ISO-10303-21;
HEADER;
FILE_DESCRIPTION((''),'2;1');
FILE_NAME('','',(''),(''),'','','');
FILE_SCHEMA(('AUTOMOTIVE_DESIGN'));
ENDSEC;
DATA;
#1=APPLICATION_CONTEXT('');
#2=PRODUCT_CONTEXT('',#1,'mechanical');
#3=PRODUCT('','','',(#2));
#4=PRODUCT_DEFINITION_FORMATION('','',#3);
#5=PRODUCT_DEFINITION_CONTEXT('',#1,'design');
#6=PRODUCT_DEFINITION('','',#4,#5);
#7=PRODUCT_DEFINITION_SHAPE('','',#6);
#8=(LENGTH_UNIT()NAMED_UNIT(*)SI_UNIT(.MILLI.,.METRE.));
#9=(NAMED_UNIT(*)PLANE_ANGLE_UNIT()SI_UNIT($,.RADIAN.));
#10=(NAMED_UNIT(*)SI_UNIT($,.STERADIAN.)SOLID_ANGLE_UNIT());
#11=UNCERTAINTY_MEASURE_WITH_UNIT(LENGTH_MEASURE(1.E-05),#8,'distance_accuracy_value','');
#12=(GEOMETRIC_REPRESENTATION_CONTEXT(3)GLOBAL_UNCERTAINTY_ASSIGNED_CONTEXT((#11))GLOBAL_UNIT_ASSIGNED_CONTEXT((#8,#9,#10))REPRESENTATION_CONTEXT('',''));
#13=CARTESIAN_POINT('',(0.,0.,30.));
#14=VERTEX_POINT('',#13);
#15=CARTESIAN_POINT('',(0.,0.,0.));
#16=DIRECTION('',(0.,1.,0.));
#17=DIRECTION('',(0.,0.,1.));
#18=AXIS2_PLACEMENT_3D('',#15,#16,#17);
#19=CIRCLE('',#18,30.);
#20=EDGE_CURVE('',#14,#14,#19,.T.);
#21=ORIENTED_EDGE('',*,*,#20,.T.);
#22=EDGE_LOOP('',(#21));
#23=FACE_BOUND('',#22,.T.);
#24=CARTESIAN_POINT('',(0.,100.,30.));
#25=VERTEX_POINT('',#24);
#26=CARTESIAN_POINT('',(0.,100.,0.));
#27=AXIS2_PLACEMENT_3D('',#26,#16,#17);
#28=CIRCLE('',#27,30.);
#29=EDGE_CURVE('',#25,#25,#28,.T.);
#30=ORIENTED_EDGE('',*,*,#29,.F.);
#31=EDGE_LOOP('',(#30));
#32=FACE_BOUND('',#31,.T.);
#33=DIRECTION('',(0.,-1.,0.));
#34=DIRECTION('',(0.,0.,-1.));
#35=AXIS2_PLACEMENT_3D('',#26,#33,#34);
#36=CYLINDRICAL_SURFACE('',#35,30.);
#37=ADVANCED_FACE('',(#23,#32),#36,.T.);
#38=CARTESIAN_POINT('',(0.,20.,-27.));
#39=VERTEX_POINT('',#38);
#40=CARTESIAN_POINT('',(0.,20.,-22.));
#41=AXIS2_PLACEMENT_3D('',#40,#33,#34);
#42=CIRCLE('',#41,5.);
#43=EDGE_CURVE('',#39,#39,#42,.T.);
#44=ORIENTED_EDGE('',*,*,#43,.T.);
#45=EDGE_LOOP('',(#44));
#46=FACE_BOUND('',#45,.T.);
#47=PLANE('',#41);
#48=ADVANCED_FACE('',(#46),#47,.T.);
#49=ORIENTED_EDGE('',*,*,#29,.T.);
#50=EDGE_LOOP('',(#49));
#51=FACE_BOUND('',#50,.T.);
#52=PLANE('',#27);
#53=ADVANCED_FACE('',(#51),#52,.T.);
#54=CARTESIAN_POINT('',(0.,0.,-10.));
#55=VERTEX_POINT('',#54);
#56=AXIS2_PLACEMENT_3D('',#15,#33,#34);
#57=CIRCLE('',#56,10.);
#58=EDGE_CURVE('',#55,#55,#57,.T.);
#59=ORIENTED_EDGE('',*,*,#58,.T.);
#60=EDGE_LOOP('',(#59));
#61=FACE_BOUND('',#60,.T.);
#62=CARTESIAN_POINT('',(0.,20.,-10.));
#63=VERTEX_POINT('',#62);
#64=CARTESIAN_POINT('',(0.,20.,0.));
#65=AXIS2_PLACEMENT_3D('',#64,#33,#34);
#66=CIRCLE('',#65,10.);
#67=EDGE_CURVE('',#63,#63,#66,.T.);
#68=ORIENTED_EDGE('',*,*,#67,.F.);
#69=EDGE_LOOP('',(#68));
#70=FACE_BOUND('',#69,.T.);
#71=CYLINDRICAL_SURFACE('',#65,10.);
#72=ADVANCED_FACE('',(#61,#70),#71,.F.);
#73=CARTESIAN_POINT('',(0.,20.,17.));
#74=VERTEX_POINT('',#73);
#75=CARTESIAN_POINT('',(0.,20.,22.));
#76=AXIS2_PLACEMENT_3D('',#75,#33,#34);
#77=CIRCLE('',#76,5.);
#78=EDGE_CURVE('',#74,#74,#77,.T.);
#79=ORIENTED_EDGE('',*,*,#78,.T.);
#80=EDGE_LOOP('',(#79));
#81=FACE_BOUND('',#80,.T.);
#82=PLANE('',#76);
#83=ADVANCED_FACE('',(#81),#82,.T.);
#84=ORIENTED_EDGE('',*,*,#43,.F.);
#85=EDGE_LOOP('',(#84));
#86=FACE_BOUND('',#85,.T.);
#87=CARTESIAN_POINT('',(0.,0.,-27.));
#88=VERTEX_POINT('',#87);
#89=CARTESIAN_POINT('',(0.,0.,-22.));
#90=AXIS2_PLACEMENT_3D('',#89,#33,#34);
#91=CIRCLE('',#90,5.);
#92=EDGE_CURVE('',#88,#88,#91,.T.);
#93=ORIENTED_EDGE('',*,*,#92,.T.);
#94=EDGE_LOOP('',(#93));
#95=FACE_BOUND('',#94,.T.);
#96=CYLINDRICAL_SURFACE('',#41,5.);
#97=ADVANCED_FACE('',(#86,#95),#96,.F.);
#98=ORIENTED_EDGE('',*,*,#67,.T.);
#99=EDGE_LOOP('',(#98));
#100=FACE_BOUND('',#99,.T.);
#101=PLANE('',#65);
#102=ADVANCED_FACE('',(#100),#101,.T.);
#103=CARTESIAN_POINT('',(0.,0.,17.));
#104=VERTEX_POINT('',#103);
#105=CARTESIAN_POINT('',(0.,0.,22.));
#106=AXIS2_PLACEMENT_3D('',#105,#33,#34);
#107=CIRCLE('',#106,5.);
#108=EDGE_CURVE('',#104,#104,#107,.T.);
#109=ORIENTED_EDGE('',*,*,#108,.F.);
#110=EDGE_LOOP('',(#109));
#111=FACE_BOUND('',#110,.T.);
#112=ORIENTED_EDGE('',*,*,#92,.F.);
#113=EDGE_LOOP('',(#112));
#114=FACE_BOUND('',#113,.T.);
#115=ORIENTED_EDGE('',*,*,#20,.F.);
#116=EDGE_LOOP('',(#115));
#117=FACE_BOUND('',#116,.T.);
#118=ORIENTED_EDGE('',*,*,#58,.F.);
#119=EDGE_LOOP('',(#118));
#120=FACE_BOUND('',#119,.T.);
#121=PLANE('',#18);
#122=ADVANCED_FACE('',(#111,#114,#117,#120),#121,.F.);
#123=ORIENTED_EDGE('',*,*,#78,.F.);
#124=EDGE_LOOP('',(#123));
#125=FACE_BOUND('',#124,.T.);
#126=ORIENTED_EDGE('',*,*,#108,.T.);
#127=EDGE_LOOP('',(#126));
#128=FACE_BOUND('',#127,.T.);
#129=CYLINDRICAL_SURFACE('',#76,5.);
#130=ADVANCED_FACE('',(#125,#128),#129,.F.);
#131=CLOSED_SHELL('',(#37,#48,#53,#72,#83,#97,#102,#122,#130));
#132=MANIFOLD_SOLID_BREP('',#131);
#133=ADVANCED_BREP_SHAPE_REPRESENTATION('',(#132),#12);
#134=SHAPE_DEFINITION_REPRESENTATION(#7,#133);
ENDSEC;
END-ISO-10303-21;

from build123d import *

# Parameters (mm, degrees)
SKETCH1_R           = 30
BOSS_EXTRUDE1_DEPTH = 100
SKETCH2_R           = 10
SKETCH2_R_2         = 5
CUT_EXTRUDE1_DEPTH  = 20


with BuildPart() as part:
    # Sketch1 → Boss-Extrude1 (new body)
    with BuildSketch(Plane(origin=(0, 0, 0), x_dir=(1, 0, 0), z_dir=(0, 1, 0))):
        with Locations(Location((0, 0, 0), (0, 0, 270))):
            Circle(SKETCH1_R)
    extrude(amount=BOSS_EXTRUDE1_DEPTH)

    # Sketch2 → Cut-Extrude1 (cut)
    with BuildSketch(Plane.XZ):
        with Locations(Location((0, 0, 0), (0, 0, 270))):
            Circle(SKETCH2_R)
        with Locations(Location((0, 22, 0), (0, 0, 270))):
            Circle(SKETCH2_R_2)
        with Locations(Location((0, -22, 0), (0, 0, 270))):
            Circle(SKETCH2_R_2)
    extrude(amount=-CUT_EXTRUDE1_DEPTH, mode=Mode.SUBTRACT)


solid = part.part
